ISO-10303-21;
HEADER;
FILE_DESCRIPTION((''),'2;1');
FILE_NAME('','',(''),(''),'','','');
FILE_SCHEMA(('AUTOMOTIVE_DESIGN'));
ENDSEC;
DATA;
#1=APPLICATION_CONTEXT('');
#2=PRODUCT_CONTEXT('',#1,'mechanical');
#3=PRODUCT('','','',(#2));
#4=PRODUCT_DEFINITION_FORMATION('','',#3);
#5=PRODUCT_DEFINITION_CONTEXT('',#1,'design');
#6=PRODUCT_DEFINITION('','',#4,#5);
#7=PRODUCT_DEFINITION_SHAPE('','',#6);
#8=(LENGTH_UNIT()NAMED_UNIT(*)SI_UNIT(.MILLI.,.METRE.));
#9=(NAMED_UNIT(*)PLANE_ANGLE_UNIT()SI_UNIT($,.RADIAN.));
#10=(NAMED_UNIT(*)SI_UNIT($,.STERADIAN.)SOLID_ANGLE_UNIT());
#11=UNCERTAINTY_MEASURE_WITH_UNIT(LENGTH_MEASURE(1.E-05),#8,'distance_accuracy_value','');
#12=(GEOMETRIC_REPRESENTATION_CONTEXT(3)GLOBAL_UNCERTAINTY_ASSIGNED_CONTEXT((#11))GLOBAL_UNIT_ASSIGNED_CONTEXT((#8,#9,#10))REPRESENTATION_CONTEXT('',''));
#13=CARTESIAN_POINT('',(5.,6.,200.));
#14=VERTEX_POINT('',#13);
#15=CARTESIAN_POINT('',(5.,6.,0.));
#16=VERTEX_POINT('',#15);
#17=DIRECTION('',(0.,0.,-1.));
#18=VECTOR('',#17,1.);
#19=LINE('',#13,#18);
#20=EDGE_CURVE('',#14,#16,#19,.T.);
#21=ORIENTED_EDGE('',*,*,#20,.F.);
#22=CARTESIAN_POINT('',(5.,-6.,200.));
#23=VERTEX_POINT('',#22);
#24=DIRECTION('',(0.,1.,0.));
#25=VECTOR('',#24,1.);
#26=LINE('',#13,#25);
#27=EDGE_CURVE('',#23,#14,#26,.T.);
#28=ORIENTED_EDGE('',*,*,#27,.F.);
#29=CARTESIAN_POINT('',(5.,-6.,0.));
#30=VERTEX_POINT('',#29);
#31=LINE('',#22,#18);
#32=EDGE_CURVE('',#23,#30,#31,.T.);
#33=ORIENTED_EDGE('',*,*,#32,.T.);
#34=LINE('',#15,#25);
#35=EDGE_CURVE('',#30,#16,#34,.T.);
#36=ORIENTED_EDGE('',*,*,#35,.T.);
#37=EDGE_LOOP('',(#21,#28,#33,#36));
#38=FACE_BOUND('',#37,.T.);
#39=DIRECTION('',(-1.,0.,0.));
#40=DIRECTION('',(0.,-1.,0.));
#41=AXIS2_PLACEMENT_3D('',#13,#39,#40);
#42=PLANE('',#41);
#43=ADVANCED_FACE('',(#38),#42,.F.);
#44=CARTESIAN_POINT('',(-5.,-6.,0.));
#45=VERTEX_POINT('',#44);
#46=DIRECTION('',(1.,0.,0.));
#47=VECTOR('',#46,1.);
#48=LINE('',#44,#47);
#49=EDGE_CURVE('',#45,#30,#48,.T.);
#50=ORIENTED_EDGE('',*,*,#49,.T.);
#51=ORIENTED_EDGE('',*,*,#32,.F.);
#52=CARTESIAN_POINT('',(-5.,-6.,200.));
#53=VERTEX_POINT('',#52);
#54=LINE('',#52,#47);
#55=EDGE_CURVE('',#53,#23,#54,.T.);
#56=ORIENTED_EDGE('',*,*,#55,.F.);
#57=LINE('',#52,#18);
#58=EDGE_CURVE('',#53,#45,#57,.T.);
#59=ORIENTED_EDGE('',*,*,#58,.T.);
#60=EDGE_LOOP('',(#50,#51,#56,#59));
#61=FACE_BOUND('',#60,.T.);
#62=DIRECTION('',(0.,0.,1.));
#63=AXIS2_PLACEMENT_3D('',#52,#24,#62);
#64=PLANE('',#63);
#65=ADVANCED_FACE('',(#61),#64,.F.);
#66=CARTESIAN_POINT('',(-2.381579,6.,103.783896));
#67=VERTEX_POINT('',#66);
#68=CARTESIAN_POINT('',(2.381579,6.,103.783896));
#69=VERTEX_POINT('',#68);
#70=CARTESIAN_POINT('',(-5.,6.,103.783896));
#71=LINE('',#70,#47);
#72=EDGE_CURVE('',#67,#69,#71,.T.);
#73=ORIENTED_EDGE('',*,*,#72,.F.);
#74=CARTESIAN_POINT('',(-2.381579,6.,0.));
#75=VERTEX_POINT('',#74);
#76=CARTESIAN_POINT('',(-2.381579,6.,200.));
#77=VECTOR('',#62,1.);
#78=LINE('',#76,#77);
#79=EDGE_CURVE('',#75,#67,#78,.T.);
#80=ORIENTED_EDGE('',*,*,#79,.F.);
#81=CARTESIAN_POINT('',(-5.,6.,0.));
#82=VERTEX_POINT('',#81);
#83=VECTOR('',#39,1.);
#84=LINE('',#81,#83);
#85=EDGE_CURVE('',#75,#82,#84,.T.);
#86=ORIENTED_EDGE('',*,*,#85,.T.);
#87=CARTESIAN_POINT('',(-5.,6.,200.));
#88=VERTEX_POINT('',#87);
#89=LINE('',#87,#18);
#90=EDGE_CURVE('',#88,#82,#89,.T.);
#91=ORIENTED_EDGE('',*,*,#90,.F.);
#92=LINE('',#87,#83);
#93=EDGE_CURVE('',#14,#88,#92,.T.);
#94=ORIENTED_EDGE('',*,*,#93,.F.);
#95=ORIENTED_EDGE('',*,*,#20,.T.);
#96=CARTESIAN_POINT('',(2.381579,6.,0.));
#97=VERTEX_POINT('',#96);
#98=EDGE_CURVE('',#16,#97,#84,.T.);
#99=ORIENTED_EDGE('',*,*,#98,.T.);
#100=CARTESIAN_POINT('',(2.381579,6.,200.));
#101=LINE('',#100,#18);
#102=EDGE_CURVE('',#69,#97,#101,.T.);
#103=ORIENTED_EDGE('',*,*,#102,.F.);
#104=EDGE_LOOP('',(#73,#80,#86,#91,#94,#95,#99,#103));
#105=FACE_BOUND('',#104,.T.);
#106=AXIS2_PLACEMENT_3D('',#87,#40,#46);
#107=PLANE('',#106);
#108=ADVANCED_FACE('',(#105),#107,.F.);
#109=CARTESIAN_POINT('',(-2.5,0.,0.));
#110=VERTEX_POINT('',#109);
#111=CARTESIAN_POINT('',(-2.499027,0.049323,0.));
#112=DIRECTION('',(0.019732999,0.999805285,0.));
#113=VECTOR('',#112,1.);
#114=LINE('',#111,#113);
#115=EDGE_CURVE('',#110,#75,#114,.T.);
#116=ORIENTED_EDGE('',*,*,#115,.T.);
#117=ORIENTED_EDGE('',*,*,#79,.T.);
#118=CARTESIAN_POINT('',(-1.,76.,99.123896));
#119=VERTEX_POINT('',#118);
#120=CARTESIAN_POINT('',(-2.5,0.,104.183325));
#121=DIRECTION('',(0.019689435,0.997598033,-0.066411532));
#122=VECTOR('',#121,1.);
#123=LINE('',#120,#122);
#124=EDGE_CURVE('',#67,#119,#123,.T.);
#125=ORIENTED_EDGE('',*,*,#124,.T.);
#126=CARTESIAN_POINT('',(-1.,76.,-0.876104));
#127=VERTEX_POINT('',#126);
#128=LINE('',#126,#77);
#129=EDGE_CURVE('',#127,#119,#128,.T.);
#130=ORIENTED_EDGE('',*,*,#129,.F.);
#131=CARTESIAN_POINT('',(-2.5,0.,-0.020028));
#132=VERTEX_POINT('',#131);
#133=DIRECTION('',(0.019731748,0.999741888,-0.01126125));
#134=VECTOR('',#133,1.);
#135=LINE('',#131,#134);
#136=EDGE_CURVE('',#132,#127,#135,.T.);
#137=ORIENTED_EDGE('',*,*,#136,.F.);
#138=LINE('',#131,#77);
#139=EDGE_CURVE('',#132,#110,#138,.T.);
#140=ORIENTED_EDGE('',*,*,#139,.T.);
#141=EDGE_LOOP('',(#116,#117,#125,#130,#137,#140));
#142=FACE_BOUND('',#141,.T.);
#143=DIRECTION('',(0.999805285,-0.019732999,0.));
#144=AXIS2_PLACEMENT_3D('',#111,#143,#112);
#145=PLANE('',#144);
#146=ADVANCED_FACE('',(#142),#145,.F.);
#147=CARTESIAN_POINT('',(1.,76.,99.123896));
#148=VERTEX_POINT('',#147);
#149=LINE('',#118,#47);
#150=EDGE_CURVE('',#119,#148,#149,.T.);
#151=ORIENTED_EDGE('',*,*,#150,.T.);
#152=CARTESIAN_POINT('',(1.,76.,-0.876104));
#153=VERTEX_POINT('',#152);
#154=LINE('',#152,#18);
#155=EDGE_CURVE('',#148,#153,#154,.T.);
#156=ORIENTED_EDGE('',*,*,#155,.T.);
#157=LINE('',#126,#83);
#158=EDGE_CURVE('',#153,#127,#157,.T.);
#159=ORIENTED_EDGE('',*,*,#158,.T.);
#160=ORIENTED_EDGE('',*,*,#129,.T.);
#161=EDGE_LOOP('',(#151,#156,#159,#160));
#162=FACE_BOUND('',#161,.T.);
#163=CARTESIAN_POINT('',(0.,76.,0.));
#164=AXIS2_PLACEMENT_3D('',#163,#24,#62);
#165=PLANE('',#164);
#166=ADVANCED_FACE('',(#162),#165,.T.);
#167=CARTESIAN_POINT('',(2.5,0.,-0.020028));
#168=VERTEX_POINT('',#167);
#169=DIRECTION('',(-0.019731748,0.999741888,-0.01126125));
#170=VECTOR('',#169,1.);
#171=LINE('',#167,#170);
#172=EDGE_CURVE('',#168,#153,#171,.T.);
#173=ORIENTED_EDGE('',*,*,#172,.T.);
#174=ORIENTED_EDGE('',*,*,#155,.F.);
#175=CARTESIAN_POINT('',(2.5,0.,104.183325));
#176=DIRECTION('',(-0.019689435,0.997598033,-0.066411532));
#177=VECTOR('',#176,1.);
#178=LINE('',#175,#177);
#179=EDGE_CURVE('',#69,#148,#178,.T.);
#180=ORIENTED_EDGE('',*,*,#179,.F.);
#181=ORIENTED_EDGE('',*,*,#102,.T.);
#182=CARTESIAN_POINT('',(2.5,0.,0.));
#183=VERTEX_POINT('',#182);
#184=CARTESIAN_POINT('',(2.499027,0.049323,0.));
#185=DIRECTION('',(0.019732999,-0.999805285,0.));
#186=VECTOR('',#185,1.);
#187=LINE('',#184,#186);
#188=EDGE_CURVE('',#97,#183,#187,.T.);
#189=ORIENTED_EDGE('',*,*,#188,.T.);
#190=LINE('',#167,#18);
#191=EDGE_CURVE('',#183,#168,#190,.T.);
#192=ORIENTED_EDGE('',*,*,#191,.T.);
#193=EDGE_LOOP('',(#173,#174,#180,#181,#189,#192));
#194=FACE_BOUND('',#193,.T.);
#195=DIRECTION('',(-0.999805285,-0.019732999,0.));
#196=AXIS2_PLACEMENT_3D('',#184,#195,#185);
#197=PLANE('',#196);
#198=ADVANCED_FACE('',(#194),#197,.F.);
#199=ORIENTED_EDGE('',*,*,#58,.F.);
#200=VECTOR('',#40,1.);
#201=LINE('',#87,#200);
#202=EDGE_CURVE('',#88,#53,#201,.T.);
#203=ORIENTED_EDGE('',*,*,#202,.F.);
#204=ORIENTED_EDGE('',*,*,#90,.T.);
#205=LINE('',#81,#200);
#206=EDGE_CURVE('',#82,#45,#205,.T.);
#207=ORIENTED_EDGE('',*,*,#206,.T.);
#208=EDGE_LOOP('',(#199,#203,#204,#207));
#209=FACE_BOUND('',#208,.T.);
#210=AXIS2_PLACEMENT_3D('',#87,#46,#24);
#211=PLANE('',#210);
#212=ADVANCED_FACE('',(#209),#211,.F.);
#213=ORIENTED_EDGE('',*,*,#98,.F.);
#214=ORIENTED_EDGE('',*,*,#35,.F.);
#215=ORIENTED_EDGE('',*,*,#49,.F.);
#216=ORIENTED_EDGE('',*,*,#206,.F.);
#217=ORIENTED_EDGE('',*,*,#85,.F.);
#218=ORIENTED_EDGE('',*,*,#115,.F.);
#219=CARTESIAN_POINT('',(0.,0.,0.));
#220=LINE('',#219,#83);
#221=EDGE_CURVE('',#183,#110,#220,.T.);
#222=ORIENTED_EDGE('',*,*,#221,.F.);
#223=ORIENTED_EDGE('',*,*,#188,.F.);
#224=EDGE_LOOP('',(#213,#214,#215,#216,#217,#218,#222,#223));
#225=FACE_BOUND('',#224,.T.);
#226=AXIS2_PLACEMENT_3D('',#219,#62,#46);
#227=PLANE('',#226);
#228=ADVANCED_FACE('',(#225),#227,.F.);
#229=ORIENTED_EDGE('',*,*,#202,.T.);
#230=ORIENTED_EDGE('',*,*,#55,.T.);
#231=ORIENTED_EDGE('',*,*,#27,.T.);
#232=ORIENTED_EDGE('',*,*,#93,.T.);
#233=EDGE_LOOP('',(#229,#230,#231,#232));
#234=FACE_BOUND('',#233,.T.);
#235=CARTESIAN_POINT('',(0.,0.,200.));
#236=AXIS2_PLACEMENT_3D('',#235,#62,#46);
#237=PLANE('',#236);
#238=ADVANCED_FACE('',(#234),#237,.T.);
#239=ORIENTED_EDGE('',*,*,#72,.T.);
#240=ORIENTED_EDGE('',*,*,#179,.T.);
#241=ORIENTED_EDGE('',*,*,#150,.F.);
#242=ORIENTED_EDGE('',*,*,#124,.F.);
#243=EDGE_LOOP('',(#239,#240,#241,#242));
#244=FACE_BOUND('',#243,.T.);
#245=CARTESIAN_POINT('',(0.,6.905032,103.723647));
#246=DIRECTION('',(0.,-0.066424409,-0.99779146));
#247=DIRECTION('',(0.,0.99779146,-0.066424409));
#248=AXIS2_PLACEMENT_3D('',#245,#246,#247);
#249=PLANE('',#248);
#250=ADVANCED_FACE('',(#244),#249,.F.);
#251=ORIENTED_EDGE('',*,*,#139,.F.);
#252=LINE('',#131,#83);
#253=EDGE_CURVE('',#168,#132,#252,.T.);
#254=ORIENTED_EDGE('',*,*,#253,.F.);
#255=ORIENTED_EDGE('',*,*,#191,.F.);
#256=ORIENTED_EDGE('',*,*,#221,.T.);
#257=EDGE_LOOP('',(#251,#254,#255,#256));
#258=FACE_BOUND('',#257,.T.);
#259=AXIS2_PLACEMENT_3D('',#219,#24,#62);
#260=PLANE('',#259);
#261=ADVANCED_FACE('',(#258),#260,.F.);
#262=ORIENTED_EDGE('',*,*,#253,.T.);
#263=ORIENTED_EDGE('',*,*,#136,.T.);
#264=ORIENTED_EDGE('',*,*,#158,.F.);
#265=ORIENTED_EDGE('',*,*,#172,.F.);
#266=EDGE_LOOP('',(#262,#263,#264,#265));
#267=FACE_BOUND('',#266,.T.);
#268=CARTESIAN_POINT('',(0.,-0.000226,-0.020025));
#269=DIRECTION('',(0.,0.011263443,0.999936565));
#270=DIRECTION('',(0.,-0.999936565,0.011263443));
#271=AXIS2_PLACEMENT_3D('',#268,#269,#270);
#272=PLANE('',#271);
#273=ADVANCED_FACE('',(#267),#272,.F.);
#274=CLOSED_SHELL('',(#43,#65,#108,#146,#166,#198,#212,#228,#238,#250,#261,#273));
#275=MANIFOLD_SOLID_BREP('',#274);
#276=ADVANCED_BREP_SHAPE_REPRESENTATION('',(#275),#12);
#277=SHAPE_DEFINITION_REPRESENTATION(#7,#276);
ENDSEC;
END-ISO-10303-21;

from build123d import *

# Parameters (mm, degrees)
ESQUISSE1_W        = 10
ESQUISSE1_H        = 12
BOSS_EXTRU_1_DEPTH = 200


with BuildPart() as part:
    # Esquisse1 → Boss.-Extru.1 (new body)
    with BuildSketch(Plane.XY):
        Rectangle(ESQUISSE1_W, ESQUISSE1_H)
    extrude(amount=BOSS_EXTRU_1_DEPTH)

    # Esquisse4 → Lissage2 section 0
    with BuildSketch(Plane(origin=(0, 0, 0), x_dir=(1, 0, 0), z_dir=(0, 1, 0))):
        with BuildLine():
            Line((-2.5, 0.020027966), (2.5, 0.020027966))
            Line((2.5, 0.020027966), (2.5, -104.18332506))
            Line((2.5, -104.18332506), (-2.5, -104.18332506))
            Line((-2.5, -104.18332506), (-2.5, 0.020027966))
        make_face()
    # Esquisse3 → Lissage2 section 1
    with BuildSketch(Plane(origin=(0, 76, 0), x_dir=(1, 0, 0), z_dir=(0, 1, 0))):
        with BuildLine():
            Line((-1, 0.876103951), (1, 0.876103951))
            Line((1, 0.876103951), (1, -99.123896049))
            Line((1, -99.123896049), (-1, -99.123896049))
            Line((-1, -99.123896049), (-1, 0.876103951))
        make_face()
    loft()


solid = part.part
